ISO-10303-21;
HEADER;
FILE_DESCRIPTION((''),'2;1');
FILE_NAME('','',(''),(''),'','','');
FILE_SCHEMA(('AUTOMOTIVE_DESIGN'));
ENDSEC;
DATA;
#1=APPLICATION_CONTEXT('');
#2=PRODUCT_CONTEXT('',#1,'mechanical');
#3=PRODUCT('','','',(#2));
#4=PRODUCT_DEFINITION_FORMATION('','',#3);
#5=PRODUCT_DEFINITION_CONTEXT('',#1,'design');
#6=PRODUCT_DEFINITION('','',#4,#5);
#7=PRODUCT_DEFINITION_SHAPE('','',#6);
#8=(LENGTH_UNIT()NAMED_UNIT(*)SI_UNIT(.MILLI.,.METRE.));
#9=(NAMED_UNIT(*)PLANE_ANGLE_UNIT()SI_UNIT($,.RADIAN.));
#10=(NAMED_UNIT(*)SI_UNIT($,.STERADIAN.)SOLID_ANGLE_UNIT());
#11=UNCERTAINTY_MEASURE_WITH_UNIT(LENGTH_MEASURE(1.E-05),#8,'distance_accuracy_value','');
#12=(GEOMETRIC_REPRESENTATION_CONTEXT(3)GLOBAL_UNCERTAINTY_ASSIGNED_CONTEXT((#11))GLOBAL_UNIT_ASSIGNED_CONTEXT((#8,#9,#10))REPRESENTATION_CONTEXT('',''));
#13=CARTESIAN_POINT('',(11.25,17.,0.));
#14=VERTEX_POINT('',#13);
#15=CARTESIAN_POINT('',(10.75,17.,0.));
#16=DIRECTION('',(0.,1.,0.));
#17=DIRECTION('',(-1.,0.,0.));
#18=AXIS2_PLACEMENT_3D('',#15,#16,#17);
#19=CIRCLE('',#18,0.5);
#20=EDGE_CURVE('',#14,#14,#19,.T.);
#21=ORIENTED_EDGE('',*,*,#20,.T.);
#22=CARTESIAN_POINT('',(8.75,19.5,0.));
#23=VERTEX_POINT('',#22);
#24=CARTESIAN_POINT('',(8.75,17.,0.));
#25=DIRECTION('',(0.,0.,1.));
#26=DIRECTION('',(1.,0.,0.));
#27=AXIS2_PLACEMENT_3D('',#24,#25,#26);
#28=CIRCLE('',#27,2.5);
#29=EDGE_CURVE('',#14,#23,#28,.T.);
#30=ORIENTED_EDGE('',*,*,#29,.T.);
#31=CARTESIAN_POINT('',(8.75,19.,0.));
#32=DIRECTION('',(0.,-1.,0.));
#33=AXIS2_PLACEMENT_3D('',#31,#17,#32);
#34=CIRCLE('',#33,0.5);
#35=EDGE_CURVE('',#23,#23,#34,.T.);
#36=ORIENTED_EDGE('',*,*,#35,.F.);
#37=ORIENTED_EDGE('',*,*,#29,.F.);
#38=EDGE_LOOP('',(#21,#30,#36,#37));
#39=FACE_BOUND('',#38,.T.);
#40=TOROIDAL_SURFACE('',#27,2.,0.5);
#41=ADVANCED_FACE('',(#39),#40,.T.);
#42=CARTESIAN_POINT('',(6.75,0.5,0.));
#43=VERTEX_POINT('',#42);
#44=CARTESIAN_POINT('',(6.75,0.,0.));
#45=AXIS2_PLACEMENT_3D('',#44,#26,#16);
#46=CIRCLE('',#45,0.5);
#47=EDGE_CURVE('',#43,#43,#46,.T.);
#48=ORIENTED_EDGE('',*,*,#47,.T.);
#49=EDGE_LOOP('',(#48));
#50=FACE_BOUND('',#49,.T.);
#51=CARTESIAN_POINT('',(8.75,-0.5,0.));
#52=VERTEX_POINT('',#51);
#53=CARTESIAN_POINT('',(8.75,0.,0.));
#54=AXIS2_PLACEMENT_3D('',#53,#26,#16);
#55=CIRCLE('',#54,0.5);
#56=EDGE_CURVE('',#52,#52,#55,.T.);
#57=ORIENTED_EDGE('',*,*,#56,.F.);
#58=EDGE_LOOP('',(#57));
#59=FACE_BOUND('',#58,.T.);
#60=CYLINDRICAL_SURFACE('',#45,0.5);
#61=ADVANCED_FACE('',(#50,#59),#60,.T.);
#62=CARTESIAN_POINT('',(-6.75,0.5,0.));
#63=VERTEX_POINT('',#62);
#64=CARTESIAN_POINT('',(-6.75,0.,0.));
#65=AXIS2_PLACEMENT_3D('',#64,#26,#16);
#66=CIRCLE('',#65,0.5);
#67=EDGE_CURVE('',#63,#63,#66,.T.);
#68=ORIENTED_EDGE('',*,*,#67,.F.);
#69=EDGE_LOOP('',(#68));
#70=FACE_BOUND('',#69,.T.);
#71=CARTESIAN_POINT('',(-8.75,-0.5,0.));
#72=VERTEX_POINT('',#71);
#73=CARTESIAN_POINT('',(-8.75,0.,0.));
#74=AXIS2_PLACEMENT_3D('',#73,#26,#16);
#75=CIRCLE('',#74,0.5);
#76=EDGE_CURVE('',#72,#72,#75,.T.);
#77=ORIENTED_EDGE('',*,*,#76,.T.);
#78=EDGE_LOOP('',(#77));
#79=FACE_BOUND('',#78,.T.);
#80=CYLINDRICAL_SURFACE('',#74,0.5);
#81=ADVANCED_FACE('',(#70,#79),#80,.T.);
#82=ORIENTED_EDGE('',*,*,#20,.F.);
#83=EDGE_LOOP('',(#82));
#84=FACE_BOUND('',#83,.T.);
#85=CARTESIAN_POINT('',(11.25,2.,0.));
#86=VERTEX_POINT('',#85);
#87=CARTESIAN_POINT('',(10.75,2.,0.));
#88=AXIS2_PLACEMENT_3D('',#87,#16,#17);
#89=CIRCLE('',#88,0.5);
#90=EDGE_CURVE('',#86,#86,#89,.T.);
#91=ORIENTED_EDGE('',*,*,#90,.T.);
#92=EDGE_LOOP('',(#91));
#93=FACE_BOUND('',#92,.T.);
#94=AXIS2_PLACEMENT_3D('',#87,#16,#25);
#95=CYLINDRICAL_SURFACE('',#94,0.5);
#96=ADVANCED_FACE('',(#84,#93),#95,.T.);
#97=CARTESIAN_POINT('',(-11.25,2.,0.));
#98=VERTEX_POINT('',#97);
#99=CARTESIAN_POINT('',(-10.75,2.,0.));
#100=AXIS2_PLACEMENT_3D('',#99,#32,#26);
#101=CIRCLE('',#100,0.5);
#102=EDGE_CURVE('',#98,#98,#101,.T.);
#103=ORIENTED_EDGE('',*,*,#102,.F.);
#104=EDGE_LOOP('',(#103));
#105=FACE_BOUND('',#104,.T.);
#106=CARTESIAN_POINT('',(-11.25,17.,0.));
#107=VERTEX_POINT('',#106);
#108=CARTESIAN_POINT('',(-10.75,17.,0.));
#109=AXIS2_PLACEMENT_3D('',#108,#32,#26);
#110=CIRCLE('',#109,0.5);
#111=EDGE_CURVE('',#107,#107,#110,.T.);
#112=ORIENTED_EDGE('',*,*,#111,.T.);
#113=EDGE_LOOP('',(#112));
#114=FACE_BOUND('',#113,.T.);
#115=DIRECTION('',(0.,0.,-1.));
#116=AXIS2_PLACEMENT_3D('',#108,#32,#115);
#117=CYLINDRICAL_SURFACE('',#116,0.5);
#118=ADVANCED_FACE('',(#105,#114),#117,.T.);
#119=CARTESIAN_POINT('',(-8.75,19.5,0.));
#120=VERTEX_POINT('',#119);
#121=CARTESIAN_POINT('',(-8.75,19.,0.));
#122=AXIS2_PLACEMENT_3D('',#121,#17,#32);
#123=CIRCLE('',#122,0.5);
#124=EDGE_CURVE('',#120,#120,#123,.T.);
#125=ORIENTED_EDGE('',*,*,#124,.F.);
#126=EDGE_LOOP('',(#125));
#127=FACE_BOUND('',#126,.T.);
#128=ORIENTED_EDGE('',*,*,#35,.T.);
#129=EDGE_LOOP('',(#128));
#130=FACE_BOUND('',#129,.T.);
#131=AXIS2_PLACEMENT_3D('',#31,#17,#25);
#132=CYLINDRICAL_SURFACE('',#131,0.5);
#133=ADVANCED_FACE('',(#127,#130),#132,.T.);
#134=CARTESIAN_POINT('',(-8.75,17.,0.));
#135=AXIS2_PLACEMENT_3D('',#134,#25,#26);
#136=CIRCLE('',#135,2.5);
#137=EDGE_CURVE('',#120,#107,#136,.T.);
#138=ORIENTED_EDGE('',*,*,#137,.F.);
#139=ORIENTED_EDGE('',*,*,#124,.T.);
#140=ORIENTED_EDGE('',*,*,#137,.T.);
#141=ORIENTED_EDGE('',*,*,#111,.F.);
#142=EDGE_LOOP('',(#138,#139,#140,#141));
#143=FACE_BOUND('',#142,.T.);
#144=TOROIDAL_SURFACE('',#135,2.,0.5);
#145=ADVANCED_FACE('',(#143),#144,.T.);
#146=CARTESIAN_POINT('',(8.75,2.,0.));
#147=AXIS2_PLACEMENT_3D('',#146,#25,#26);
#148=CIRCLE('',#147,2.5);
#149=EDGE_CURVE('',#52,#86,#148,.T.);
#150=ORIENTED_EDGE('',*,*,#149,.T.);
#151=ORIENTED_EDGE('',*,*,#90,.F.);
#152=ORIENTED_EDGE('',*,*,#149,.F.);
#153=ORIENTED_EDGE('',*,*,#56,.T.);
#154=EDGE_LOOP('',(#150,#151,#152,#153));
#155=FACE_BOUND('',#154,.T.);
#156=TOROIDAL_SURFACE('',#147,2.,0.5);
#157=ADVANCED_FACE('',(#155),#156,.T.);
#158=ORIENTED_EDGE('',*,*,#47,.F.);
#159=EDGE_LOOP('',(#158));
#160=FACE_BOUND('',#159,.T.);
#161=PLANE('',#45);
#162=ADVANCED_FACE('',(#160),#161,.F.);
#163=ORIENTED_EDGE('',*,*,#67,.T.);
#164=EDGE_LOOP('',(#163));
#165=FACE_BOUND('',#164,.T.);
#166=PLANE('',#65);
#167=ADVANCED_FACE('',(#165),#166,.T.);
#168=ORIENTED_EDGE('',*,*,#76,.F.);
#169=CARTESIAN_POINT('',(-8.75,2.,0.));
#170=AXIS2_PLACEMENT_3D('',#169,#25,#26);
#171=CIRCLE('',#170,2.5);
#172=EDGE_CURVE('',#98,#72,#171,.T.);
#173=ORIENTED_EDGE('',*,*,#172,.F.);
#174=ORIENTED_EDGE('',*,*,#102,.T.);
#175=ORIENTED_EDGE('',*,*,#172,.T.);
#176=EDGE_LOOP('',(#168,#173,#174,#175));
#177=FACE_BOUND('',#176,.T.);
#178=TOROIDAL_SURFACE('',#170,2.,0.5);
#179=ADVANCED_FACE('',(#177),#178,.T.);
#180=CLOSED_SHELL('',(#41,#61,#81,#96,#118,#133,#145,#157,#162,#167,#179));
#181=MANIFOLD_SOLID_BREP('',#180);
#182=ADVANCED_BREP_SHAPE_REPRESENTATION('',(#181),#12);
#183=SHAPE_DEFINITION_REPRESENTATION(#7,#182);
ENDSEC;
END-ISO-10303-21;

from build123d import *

# Parameters (mm, degrees)
SWEEP_1_PROFILE_R = 0.5


with BuildPart() as part:
    # 扫描1: sweep along a path in 草图1
    with BuildLine(Plane.XY) as sweep_1_path:
        Line((-6.75, 0), (-8.75, 0))
        ThreePointArc((-8.75, 0), (-10.164213562, 0.585786438), (-10.75, 2))
        Line((-10.75, 2), (-10.75, 17))
        ThreePointArc((-10.75, 17), (-10.164213562, 18.414213562), (-8.75, 19))
        Line((-8.75, 19), (8.75, 19))
        ThreePointArc((8.75, 19), (10.164213562, 18.414213562), (10.75, 17))
        Line((10.75, 17), (10.75, 2))
        ThreePointArc((10.75, 2), (10.164213562, 0.585786438), (8.75, 0))
        Line((8.75, 0), (6.75, 0))
    # 扫描1 profile (on start of the path) → 扫描1 (sweep)
    with BuildSketch(Plane(origin=(-6.75, 0, 0), x_dir=(0, -1, 0), z_dir=(-1, 0, 0))):
        Circle(SWEEP_1_PROFILE_R)
    sweep(path=sweep_1_path.line)


solid = part.part
